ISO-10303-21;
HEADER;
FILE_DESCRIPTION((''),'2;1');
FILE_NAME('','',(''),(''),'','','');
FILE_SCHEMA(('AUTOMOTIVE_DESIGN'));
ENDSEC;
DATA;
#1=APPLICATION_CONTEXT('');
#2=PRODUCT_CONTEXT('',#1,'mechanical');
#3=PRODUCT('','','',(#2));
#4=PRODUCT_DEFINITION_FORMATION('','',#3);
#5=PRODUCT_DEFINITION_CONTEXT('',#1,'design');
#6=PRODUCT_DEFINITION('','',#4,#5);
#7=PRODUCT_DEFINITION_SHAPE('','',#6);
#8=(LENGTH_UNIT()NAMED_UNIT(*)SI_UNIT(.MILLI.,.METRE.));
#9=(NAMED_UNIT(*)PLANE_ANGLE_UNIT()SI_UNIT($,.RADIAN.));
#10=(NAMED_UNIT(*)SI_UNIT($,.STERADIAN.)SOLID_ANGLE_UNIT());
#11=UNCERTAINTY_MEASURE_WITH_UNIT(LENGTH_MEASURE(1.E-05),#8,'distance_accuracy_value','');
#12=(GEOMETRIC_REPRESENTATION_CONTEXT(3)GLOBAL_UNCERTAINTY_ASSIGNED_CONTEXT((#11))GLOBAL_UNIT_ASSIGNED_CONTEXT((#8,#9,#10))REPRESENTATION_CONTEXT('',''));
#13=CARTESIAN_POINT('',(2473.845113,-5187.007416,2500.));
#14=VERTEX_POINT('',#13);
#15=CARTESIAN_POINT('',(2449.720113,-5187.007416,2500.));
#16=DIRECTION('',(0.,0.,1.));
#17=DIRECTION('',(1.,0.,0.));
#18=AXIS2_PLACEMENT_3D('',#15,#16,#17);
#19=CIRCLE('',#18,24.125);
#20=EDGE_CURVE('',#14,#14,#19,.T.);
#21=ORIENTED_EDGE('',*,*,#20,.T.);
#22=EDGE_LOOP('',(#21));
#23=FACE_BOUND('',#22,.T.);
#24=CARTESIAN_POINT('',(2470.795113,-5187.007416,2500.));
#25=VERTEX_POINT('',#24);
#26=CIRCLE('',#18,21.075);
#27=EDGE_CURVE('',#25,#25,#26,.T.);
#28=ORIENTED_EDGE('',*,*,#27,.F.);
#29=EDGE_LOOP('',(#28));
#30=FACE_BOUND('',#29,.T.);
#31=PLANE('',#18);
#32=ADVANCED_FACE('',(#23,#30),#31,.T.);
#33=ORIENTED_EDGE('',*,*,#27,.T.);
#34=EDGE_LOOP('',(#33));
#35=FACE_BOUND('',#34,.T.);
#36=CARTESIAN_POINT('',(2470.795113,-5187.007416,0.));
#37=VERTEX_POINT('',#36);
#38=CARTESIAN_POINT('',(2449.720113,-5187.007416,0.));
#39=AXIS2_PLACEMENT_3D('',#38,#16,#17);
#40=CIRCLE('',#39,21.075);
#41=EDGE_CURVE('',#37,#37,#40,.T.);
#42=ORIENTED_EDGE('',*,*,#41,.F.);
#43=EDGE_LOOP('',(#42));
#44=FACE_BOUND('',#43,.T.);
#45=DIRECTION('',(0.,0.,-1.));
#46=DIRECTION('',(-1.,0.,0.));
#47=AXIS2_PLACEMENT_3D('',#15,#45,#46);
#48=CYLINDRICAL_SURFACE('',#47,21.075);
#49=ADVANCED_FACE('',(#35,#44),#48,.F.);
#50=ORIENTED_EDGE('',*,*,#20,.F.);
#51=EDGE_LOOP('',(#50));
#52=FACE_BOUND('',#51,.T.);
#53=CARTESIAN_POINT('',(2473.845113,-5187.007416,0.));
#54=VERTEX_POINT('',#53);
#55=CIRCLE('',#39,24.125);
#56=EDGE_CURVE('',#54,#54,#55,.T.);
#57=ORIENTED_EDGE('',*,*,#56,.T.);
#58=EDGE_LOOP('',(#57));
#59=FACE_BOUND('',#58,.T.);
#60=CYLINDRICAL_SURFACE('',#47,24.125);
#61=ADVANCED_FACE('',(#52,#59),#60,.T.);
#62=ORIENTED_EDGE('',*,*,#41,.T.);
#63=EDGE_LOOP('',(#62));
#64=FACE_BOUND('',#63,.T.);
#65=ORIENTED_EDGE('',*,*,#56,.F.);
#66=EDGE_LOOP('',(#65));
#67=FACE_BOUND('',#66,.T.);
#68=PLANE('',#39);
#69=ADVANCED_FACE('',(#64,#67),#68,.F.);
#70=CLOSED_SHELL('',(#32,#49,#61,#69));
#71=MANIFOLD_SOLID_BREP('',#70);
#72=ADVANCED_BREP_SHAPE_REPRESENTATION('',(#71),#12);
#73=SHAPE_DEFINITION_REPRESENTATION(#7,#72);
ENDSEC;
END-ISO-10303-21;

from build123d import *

# Parameters (mm, degrees)
SKETCH2_R           = 24.125
SKETCH2_R_2         = 21.075
BOSS_EXTRUDE1_DEPTH = 2500


with BuildPart() as part:
    # Sketch2 → Boss-Extrude1 (new body)
    with BuildSketch(Plane.XY):
        with Locations((2449.72011288, -5187.007415734)):
            Circle(SKETCH2_R)
        with Locations((2449.72011288, -5187.007415734)):
            Circle(SKETCH2_R_2, mode=Mode.SUBTRACT)
    extrude(amount=BOSS_EXTRUDE1_DEPTH)


solid = part.part
